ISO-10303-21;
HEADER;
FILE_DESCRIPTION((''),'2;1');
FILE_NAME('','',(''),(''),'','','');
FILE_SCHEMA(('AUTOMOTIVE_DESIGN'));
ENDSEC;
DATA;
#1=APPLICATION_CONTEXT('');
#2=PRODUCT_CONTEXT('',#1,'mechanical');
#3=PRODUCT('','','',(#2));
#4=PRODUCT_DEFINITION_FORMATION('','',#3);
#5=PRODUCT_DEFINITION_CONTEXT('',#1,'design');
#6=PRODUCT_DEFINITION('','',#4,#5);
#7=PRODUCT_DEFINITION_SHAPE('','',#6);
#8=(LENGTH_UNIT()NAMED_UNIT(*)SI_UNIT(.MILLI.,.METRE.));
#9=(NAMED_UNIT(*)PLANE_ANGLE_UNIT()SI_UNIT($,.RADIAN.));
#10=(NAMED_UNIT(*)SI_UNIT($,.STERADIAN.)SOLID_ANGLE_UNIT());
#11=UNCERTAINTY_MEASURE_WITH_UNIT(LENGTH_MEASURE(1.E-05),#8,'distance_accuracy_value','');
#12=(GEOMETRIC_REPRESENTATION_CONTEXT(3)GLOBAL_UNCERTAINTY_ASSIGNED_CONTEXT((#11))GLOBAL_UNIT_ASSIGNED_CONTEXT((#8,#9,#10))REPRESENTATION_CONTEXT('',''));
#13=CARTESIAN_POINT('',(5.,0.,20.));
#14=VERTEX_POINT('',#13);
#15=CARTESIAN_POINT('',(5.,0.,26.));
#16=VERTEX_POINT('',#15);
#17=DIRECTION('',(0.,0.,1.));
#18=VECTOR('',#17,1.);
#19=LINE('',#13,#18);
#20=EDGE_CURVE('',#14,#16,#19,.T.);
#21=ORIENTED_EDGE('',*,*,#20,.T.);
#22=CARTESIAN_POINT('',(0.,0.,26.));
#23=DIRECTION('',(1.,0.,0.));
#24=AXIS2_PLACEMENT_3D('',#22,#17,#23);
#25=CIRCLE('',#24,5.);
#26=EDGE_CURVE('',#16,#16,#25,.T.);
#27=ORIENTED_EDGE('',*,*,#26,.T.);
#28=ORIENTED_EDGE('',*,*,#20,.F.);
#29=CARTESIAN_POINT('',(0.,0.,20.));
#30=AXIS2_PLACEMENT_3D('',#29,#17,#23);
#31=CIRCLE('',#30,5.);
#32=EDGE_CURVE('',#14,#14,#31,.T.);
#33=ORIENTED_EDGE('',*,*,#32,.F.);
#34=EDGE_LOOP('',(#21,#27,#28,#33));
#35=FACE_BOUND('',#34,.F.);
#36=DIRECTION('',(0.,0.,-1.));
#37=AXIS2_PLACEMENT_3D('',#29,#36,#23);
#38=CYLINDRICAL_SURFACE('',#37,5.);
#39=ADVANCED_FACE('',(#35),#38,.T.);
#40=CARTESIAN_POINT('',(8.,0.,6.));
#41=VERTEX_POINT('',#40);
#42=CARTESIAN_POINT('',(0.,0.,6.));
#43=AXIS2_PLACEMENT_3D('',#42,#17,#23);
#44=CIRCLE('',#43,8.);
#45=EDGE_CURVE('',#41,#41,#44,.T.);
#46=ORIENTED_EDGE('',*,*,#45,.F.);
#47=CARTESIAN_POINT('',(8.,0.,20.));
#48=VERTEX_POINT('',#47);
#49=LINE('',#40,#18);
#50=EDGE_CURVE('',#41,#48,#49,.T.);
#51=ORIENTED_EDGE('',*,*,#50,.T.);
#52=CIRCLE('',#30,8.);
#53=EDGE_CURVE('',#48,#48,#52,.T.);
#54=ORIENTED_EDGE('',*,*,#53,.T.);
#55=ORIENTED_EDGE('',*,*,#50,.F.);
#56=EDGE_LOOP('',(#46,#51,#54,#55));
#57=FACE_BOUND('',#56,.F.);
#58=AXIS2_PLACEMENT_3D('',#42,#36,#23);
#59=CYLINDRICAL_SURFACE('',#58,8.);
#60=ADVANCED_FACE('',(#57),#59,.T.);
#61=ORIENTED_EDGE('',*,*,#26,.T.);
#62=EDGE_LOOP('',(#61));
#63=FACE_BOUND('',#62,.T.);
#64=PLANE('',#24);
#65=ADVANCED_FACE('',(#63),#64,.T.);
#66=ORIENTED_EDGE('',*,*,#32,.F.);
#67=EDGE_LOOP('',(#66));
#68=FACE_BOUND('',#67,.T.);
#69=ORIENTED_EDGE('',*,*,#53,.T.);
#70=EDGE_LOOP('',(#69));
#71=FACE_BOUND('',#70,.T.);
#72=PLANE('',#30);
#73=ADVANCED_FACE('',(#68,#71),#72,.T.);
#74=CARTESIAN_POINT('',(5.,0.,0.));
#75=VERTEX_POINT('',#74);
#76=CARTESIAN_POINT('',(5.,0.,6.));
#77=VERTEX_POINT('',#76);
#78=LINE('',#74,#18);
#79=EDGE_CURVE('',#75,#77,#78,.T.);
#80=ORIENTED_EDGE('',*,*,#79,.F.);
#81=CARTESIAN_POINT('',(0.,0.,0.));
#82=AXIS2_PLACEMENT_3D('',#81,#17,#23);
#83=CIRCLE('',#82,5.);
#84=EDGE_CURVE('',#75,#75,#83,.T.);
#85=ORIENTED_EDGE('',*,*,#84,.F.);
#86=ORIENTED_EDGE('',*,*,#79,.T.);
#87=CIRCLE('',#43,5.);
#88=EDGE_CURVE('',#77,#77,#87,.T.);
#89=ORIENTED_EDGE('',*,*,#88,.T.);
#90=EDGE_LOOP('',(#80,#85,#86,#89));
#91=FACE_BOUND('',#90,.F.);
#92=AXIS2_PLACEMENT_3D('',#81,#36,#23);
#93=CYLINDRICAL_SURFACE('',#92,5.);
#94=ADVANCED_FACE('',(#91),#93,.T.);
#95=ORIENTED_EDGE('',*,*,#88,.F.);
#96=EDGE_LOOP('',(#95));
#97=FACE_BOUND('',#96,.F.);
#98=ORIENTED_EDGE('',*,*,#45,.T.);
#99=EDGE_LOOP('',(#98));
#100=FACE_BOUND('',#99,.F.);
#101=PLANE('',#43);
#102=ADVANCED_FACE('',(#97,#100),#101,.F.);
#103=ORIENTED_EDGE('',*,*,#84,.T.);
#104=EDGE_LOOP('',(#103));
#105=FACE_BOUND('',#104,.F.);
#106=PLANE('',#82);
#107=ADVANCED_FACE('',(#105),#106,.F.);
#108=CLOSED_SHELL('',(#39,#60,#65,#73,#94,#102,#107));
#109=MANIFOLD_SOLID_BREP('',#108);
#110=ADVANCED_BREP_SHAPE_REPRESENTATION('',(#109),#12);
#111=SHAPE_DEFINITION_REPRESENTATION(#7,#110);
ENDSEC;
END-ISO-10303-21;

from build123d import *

# Parameters (mm, degrees)
F0_R     = 5
F1_DEPTH = 6
F2_R     = 8
F2_R_2   = 5
F3_DEPTH = 14
F4_R     = 5
F5_DEPTH = 6


with BuildPart() as f1:
    # F0 (on Top) → F1 (new body)
    with BuildSketch(Plane.XY):
        Circle(F0_R)
    extrude(amount=F1_DEPTH)

    # F2 (on face) → F3 (join)
    with BuildSketch(Plane.XY.offset(6)):
        Circle(F2_R)
        Circle(F2_R_2, mode=Mode.SUBTRACT)
        Circle(F2_R_2)
    extrude(amount=F3_DEPTH)

    # F4 (on face) → F5 (join)
    with BuildSketch(Plane.XY.offset(20)):
        Circle(F4_R)
    extrude(amount=F5_DEPTH)


solid = f1.part
